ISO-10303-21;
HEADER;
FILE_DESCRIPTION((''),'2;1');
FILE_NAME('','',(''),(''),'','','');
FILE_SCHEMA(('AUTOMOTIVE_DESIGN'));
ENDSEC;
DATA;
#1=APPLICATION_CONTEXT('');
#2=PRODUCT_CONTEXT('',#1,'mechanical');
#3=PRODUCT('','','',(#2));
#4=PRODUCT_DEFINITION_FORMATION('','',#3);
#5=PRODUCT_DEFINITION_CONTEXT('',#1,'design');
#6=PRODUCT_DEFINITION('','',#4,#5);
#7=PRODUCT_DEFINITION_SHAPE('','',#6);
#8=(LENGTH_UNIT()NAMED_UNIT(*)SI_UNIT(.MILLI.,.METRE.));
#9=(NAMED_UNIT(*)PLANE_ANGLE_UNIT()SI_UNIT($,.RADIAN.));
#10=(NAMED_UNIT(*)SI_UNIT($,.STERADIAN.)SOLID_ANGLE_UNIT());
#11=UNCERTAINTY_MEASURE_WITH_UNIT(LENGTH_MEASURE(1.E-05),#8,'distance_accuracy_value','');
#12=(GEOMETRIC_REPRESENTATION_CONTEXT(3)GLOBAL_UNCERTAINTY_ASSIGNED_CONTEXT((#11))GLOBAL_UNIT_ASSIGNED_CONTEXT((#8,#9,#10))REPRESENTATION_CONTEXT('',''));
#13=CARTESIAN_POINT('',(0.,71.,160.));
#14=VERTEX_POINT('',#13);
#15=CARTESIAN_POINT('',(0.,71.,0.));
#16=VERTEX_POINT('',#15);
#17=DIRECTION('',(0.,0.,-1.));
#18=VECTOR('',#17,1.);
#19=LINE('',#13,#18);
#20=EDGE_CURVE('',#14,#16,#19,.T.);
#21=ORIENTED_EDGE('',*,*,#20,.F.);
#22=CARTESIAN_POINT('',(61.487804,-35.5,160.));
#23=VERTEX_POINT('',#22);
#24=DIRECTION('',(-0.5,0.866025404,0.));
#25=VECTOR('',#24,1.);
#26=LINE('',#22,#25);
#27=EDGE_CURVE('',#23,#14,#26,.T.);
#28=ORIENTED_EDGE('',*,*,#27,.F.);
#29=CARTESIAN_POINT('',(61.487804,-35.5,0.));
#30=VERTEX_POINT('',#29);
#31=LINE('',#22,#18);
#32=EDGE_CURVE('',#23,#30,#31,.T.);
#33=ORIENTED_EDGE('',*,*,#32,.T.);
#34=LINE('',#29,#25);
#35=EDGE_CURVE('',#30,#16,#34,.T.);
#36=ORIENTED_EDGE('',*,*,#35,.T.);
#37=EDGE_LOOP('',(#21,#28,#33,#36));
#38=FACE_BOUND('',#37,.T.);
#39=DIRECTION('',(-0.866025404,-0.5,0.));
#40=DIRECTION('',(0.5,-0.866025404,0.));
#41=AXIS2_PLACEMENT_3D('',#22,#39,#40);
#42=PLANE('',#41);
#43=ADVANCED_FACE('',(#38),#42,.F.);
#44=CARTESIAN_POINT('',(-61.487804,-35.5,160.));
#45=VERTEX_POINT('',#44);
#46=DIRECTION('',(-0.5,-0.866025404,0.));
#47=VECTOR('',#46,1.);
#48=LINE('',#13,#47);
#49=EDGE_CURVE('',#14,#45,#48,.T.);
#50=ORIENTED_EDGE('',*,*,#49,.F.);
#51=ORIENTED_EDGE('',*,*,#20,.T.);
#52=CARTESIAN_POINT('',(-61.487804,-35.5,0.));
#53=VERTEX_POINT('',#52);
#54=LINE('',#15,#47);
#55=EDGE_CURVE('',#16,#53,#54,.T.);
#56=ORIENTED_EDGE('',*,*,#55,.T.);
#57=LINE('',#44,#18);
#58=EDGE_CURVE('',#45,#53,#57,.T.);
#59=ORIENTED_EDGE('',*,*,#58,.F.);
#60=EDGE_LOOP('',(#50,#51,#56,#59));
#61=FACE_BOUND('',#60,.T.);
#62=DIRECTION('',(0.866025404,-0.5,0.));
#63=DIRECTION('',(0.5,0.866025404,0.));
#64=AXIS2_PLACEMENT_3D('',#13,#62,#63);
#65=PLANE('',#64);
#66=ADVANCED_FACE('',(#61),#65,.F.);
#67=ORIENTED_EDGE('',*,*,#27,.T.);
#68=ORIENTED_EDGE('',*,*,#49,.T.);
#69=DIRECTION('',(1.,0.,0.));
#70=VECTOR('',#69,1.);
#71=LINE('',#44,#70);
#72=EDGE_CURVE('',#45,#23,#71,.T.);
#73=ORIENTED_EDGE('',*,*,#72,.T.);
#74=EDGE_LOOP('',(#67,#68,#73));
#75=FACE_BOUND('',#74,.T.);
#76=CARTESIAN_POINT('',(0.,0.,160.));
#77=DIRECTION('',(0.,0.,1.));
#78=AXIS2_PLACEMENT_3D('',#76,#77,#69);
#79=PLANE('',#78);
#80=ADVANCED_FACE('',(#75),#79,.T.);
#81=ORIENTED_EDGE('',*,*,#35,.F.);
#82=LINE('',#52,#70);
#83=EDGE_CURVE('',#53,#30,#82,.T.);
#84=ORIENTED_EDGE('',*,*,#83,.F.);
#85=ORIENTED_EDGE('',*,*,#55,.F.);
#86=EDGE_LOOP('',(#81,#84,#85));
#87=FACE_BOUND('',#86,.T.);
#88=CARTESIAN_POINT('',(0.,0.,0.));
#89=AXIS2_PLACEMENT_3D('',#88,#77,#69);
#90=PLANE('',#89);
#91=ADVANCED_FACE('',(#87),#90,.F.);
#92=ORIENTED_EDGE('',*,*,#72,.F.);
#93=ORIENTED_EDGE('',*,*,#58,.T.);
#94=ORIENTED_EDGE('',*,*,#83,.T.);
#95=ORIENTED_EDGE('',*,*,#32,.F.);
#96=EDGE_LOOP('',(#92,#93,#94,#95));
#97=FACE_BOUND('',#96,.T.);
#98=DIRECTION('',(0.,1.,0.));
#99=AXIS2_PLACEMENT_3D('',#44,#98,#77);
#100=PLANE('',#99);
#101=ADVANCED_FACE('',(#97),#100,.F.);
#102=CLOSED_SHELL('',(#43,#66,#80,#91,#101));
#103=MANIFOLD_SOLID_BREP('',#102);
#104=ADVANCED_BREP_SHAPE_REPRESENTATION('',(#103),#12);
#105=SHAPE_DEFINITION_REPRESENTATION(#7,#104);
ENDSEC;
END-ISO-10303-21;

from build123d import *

# Parameters (mm, degrees)
ESTRUSIONE_ESTRUSIONE1_DEPTH = 160


with BuildPart() as part:
    # Schizzo1 → Estrusione-Estrusione1 (new body)
    with BuildSketch(Plane.XY):
        Polygon((0, 71), (-61.487803669, -35.5), (61.487803669, -35.5), align=None)
    extrude(amount=ESTRUSIONE_ESTRUSIONE1_DEPTH)


solid = part.part
